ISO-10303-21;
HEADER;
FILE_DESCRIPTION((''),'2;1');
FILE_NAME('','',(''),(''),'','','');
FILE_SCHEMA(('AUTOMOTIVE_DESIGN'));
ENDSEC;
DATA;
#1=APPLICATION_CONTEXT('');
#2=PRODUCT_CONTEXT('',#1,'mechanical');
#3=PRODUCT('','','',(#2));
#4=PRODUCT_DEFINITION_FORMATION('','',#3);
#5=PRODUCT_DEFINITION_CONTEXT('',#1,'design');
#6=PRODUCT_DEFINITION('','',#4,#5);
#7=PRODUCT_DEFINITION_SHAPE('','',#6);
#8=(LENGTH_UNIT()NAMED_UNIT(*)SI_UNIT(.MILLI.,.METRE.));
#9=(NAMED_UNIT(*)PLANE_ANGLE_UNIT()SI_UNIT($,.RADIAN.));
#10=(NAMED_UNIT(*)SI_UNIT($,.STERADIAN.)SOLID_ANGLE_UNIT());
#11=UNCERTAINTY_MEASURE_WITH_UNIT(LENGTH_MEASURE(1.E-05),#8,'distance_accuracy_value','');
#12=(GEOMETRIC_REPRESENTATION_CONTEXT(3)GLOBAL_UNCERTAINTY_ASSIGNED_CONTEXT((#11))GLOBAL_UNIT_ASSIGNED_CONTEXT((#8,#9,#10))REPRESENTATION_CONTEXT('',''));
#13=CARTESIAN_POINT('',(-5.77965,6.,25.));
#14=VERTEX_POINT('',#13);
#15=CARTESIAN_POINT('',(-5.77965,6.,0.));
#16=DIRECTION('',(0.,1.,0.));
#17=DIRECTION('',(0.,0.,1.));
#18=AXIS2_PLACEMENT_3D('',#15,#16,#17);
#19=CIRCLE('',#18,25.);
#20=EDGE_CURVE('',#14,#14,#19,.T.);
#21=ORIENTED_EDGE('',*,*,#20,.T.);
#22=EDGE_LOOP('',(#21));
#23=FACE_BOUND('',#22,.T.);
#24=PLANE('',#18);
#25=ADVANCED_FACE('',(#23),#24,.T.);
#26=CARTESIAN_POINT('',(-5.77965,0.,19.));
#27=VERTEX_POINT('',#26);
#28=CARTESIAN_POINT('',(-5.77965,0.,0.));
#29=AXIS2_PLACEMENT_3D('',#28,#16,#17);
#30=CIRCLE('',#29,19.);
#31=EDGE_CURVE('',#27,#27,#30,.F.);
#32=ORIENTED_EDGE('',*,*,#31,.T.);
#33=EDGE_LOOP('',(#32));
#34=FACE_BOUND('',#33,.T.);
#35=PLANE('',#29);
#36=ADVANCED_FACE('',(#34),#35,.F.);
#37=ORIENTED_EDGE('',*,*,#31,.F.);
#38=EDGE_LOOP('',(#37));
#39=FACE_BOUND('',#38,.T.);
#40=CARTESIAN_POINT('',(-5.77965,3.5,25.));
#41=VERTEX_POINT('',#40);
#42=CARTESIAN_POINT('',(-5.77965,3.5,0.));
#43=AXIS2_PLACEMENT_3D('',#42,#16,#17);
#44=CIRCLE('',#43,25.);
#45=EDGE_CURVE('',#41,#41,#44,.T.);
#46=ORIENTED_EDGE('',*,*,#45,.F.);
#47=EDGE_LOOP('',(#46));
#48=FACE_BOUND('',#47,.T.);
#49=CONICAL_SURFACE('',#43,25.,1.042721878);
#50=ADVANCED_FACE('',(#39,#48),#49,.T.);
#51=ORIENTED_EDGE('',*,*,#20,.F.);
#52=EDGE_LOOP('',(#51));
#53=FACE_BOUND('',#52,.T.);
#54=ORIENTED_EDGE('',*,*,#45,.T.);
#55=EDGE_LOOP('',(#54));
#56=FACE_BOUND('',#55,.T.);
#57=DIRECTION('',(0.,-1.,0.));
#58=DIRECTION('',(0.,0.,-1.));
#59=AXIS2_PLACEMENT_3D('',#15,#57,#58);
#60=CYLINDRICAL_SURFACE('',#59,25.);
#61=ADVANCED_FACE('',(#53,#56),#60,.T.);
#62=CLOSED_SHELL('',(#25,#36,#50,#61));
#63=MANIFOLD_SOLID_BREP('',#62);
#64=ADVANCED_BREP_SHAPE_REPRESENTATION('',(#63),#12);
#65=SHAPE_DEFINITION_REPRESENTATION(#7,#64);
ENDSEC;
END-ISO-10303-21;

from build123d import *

# Parameters (mm, degrees)
ESQUISSE1_R        = 25
BOSS_EXTRU_1_DEPTH = 6
CHANFREIN1_SIZE    = 6
CHANFREIN1_SIZE2   = 3.5


with BuildPart() as part:
    # Esquisse1 → Boss.-Extru.1 (new body)
    with BuildSketch(Plane(origin=(0, 0, 0), x_dir=(1, 0, 0), z_dir=(0, 1, 0))):
        with Locations(Location((-5.779650328, 0, 0), (0, 0, 270))):
            Circle(ESQUISSE1_R)
    extrude(amount=BOSS_EXTRU_1_DEPTH)

    # Chanfrein1
    chanfrein1_edges = [part.edges().sort_by_distance(p)[0] for p in [
        (-5.779650328, 0, -25),
    ]]
    chanfrein1_side = [part.faces().sort_by_distance(p)[0] for p in [
        (-5.779650328, 0, 0),
    ]]
    chamfer(chanfrein1_edges, length=CHANFREIN1_SIZE, length2=CHANFREIN1_SIZE2, reference=chanfrein1_side[0])


solid = part.part
